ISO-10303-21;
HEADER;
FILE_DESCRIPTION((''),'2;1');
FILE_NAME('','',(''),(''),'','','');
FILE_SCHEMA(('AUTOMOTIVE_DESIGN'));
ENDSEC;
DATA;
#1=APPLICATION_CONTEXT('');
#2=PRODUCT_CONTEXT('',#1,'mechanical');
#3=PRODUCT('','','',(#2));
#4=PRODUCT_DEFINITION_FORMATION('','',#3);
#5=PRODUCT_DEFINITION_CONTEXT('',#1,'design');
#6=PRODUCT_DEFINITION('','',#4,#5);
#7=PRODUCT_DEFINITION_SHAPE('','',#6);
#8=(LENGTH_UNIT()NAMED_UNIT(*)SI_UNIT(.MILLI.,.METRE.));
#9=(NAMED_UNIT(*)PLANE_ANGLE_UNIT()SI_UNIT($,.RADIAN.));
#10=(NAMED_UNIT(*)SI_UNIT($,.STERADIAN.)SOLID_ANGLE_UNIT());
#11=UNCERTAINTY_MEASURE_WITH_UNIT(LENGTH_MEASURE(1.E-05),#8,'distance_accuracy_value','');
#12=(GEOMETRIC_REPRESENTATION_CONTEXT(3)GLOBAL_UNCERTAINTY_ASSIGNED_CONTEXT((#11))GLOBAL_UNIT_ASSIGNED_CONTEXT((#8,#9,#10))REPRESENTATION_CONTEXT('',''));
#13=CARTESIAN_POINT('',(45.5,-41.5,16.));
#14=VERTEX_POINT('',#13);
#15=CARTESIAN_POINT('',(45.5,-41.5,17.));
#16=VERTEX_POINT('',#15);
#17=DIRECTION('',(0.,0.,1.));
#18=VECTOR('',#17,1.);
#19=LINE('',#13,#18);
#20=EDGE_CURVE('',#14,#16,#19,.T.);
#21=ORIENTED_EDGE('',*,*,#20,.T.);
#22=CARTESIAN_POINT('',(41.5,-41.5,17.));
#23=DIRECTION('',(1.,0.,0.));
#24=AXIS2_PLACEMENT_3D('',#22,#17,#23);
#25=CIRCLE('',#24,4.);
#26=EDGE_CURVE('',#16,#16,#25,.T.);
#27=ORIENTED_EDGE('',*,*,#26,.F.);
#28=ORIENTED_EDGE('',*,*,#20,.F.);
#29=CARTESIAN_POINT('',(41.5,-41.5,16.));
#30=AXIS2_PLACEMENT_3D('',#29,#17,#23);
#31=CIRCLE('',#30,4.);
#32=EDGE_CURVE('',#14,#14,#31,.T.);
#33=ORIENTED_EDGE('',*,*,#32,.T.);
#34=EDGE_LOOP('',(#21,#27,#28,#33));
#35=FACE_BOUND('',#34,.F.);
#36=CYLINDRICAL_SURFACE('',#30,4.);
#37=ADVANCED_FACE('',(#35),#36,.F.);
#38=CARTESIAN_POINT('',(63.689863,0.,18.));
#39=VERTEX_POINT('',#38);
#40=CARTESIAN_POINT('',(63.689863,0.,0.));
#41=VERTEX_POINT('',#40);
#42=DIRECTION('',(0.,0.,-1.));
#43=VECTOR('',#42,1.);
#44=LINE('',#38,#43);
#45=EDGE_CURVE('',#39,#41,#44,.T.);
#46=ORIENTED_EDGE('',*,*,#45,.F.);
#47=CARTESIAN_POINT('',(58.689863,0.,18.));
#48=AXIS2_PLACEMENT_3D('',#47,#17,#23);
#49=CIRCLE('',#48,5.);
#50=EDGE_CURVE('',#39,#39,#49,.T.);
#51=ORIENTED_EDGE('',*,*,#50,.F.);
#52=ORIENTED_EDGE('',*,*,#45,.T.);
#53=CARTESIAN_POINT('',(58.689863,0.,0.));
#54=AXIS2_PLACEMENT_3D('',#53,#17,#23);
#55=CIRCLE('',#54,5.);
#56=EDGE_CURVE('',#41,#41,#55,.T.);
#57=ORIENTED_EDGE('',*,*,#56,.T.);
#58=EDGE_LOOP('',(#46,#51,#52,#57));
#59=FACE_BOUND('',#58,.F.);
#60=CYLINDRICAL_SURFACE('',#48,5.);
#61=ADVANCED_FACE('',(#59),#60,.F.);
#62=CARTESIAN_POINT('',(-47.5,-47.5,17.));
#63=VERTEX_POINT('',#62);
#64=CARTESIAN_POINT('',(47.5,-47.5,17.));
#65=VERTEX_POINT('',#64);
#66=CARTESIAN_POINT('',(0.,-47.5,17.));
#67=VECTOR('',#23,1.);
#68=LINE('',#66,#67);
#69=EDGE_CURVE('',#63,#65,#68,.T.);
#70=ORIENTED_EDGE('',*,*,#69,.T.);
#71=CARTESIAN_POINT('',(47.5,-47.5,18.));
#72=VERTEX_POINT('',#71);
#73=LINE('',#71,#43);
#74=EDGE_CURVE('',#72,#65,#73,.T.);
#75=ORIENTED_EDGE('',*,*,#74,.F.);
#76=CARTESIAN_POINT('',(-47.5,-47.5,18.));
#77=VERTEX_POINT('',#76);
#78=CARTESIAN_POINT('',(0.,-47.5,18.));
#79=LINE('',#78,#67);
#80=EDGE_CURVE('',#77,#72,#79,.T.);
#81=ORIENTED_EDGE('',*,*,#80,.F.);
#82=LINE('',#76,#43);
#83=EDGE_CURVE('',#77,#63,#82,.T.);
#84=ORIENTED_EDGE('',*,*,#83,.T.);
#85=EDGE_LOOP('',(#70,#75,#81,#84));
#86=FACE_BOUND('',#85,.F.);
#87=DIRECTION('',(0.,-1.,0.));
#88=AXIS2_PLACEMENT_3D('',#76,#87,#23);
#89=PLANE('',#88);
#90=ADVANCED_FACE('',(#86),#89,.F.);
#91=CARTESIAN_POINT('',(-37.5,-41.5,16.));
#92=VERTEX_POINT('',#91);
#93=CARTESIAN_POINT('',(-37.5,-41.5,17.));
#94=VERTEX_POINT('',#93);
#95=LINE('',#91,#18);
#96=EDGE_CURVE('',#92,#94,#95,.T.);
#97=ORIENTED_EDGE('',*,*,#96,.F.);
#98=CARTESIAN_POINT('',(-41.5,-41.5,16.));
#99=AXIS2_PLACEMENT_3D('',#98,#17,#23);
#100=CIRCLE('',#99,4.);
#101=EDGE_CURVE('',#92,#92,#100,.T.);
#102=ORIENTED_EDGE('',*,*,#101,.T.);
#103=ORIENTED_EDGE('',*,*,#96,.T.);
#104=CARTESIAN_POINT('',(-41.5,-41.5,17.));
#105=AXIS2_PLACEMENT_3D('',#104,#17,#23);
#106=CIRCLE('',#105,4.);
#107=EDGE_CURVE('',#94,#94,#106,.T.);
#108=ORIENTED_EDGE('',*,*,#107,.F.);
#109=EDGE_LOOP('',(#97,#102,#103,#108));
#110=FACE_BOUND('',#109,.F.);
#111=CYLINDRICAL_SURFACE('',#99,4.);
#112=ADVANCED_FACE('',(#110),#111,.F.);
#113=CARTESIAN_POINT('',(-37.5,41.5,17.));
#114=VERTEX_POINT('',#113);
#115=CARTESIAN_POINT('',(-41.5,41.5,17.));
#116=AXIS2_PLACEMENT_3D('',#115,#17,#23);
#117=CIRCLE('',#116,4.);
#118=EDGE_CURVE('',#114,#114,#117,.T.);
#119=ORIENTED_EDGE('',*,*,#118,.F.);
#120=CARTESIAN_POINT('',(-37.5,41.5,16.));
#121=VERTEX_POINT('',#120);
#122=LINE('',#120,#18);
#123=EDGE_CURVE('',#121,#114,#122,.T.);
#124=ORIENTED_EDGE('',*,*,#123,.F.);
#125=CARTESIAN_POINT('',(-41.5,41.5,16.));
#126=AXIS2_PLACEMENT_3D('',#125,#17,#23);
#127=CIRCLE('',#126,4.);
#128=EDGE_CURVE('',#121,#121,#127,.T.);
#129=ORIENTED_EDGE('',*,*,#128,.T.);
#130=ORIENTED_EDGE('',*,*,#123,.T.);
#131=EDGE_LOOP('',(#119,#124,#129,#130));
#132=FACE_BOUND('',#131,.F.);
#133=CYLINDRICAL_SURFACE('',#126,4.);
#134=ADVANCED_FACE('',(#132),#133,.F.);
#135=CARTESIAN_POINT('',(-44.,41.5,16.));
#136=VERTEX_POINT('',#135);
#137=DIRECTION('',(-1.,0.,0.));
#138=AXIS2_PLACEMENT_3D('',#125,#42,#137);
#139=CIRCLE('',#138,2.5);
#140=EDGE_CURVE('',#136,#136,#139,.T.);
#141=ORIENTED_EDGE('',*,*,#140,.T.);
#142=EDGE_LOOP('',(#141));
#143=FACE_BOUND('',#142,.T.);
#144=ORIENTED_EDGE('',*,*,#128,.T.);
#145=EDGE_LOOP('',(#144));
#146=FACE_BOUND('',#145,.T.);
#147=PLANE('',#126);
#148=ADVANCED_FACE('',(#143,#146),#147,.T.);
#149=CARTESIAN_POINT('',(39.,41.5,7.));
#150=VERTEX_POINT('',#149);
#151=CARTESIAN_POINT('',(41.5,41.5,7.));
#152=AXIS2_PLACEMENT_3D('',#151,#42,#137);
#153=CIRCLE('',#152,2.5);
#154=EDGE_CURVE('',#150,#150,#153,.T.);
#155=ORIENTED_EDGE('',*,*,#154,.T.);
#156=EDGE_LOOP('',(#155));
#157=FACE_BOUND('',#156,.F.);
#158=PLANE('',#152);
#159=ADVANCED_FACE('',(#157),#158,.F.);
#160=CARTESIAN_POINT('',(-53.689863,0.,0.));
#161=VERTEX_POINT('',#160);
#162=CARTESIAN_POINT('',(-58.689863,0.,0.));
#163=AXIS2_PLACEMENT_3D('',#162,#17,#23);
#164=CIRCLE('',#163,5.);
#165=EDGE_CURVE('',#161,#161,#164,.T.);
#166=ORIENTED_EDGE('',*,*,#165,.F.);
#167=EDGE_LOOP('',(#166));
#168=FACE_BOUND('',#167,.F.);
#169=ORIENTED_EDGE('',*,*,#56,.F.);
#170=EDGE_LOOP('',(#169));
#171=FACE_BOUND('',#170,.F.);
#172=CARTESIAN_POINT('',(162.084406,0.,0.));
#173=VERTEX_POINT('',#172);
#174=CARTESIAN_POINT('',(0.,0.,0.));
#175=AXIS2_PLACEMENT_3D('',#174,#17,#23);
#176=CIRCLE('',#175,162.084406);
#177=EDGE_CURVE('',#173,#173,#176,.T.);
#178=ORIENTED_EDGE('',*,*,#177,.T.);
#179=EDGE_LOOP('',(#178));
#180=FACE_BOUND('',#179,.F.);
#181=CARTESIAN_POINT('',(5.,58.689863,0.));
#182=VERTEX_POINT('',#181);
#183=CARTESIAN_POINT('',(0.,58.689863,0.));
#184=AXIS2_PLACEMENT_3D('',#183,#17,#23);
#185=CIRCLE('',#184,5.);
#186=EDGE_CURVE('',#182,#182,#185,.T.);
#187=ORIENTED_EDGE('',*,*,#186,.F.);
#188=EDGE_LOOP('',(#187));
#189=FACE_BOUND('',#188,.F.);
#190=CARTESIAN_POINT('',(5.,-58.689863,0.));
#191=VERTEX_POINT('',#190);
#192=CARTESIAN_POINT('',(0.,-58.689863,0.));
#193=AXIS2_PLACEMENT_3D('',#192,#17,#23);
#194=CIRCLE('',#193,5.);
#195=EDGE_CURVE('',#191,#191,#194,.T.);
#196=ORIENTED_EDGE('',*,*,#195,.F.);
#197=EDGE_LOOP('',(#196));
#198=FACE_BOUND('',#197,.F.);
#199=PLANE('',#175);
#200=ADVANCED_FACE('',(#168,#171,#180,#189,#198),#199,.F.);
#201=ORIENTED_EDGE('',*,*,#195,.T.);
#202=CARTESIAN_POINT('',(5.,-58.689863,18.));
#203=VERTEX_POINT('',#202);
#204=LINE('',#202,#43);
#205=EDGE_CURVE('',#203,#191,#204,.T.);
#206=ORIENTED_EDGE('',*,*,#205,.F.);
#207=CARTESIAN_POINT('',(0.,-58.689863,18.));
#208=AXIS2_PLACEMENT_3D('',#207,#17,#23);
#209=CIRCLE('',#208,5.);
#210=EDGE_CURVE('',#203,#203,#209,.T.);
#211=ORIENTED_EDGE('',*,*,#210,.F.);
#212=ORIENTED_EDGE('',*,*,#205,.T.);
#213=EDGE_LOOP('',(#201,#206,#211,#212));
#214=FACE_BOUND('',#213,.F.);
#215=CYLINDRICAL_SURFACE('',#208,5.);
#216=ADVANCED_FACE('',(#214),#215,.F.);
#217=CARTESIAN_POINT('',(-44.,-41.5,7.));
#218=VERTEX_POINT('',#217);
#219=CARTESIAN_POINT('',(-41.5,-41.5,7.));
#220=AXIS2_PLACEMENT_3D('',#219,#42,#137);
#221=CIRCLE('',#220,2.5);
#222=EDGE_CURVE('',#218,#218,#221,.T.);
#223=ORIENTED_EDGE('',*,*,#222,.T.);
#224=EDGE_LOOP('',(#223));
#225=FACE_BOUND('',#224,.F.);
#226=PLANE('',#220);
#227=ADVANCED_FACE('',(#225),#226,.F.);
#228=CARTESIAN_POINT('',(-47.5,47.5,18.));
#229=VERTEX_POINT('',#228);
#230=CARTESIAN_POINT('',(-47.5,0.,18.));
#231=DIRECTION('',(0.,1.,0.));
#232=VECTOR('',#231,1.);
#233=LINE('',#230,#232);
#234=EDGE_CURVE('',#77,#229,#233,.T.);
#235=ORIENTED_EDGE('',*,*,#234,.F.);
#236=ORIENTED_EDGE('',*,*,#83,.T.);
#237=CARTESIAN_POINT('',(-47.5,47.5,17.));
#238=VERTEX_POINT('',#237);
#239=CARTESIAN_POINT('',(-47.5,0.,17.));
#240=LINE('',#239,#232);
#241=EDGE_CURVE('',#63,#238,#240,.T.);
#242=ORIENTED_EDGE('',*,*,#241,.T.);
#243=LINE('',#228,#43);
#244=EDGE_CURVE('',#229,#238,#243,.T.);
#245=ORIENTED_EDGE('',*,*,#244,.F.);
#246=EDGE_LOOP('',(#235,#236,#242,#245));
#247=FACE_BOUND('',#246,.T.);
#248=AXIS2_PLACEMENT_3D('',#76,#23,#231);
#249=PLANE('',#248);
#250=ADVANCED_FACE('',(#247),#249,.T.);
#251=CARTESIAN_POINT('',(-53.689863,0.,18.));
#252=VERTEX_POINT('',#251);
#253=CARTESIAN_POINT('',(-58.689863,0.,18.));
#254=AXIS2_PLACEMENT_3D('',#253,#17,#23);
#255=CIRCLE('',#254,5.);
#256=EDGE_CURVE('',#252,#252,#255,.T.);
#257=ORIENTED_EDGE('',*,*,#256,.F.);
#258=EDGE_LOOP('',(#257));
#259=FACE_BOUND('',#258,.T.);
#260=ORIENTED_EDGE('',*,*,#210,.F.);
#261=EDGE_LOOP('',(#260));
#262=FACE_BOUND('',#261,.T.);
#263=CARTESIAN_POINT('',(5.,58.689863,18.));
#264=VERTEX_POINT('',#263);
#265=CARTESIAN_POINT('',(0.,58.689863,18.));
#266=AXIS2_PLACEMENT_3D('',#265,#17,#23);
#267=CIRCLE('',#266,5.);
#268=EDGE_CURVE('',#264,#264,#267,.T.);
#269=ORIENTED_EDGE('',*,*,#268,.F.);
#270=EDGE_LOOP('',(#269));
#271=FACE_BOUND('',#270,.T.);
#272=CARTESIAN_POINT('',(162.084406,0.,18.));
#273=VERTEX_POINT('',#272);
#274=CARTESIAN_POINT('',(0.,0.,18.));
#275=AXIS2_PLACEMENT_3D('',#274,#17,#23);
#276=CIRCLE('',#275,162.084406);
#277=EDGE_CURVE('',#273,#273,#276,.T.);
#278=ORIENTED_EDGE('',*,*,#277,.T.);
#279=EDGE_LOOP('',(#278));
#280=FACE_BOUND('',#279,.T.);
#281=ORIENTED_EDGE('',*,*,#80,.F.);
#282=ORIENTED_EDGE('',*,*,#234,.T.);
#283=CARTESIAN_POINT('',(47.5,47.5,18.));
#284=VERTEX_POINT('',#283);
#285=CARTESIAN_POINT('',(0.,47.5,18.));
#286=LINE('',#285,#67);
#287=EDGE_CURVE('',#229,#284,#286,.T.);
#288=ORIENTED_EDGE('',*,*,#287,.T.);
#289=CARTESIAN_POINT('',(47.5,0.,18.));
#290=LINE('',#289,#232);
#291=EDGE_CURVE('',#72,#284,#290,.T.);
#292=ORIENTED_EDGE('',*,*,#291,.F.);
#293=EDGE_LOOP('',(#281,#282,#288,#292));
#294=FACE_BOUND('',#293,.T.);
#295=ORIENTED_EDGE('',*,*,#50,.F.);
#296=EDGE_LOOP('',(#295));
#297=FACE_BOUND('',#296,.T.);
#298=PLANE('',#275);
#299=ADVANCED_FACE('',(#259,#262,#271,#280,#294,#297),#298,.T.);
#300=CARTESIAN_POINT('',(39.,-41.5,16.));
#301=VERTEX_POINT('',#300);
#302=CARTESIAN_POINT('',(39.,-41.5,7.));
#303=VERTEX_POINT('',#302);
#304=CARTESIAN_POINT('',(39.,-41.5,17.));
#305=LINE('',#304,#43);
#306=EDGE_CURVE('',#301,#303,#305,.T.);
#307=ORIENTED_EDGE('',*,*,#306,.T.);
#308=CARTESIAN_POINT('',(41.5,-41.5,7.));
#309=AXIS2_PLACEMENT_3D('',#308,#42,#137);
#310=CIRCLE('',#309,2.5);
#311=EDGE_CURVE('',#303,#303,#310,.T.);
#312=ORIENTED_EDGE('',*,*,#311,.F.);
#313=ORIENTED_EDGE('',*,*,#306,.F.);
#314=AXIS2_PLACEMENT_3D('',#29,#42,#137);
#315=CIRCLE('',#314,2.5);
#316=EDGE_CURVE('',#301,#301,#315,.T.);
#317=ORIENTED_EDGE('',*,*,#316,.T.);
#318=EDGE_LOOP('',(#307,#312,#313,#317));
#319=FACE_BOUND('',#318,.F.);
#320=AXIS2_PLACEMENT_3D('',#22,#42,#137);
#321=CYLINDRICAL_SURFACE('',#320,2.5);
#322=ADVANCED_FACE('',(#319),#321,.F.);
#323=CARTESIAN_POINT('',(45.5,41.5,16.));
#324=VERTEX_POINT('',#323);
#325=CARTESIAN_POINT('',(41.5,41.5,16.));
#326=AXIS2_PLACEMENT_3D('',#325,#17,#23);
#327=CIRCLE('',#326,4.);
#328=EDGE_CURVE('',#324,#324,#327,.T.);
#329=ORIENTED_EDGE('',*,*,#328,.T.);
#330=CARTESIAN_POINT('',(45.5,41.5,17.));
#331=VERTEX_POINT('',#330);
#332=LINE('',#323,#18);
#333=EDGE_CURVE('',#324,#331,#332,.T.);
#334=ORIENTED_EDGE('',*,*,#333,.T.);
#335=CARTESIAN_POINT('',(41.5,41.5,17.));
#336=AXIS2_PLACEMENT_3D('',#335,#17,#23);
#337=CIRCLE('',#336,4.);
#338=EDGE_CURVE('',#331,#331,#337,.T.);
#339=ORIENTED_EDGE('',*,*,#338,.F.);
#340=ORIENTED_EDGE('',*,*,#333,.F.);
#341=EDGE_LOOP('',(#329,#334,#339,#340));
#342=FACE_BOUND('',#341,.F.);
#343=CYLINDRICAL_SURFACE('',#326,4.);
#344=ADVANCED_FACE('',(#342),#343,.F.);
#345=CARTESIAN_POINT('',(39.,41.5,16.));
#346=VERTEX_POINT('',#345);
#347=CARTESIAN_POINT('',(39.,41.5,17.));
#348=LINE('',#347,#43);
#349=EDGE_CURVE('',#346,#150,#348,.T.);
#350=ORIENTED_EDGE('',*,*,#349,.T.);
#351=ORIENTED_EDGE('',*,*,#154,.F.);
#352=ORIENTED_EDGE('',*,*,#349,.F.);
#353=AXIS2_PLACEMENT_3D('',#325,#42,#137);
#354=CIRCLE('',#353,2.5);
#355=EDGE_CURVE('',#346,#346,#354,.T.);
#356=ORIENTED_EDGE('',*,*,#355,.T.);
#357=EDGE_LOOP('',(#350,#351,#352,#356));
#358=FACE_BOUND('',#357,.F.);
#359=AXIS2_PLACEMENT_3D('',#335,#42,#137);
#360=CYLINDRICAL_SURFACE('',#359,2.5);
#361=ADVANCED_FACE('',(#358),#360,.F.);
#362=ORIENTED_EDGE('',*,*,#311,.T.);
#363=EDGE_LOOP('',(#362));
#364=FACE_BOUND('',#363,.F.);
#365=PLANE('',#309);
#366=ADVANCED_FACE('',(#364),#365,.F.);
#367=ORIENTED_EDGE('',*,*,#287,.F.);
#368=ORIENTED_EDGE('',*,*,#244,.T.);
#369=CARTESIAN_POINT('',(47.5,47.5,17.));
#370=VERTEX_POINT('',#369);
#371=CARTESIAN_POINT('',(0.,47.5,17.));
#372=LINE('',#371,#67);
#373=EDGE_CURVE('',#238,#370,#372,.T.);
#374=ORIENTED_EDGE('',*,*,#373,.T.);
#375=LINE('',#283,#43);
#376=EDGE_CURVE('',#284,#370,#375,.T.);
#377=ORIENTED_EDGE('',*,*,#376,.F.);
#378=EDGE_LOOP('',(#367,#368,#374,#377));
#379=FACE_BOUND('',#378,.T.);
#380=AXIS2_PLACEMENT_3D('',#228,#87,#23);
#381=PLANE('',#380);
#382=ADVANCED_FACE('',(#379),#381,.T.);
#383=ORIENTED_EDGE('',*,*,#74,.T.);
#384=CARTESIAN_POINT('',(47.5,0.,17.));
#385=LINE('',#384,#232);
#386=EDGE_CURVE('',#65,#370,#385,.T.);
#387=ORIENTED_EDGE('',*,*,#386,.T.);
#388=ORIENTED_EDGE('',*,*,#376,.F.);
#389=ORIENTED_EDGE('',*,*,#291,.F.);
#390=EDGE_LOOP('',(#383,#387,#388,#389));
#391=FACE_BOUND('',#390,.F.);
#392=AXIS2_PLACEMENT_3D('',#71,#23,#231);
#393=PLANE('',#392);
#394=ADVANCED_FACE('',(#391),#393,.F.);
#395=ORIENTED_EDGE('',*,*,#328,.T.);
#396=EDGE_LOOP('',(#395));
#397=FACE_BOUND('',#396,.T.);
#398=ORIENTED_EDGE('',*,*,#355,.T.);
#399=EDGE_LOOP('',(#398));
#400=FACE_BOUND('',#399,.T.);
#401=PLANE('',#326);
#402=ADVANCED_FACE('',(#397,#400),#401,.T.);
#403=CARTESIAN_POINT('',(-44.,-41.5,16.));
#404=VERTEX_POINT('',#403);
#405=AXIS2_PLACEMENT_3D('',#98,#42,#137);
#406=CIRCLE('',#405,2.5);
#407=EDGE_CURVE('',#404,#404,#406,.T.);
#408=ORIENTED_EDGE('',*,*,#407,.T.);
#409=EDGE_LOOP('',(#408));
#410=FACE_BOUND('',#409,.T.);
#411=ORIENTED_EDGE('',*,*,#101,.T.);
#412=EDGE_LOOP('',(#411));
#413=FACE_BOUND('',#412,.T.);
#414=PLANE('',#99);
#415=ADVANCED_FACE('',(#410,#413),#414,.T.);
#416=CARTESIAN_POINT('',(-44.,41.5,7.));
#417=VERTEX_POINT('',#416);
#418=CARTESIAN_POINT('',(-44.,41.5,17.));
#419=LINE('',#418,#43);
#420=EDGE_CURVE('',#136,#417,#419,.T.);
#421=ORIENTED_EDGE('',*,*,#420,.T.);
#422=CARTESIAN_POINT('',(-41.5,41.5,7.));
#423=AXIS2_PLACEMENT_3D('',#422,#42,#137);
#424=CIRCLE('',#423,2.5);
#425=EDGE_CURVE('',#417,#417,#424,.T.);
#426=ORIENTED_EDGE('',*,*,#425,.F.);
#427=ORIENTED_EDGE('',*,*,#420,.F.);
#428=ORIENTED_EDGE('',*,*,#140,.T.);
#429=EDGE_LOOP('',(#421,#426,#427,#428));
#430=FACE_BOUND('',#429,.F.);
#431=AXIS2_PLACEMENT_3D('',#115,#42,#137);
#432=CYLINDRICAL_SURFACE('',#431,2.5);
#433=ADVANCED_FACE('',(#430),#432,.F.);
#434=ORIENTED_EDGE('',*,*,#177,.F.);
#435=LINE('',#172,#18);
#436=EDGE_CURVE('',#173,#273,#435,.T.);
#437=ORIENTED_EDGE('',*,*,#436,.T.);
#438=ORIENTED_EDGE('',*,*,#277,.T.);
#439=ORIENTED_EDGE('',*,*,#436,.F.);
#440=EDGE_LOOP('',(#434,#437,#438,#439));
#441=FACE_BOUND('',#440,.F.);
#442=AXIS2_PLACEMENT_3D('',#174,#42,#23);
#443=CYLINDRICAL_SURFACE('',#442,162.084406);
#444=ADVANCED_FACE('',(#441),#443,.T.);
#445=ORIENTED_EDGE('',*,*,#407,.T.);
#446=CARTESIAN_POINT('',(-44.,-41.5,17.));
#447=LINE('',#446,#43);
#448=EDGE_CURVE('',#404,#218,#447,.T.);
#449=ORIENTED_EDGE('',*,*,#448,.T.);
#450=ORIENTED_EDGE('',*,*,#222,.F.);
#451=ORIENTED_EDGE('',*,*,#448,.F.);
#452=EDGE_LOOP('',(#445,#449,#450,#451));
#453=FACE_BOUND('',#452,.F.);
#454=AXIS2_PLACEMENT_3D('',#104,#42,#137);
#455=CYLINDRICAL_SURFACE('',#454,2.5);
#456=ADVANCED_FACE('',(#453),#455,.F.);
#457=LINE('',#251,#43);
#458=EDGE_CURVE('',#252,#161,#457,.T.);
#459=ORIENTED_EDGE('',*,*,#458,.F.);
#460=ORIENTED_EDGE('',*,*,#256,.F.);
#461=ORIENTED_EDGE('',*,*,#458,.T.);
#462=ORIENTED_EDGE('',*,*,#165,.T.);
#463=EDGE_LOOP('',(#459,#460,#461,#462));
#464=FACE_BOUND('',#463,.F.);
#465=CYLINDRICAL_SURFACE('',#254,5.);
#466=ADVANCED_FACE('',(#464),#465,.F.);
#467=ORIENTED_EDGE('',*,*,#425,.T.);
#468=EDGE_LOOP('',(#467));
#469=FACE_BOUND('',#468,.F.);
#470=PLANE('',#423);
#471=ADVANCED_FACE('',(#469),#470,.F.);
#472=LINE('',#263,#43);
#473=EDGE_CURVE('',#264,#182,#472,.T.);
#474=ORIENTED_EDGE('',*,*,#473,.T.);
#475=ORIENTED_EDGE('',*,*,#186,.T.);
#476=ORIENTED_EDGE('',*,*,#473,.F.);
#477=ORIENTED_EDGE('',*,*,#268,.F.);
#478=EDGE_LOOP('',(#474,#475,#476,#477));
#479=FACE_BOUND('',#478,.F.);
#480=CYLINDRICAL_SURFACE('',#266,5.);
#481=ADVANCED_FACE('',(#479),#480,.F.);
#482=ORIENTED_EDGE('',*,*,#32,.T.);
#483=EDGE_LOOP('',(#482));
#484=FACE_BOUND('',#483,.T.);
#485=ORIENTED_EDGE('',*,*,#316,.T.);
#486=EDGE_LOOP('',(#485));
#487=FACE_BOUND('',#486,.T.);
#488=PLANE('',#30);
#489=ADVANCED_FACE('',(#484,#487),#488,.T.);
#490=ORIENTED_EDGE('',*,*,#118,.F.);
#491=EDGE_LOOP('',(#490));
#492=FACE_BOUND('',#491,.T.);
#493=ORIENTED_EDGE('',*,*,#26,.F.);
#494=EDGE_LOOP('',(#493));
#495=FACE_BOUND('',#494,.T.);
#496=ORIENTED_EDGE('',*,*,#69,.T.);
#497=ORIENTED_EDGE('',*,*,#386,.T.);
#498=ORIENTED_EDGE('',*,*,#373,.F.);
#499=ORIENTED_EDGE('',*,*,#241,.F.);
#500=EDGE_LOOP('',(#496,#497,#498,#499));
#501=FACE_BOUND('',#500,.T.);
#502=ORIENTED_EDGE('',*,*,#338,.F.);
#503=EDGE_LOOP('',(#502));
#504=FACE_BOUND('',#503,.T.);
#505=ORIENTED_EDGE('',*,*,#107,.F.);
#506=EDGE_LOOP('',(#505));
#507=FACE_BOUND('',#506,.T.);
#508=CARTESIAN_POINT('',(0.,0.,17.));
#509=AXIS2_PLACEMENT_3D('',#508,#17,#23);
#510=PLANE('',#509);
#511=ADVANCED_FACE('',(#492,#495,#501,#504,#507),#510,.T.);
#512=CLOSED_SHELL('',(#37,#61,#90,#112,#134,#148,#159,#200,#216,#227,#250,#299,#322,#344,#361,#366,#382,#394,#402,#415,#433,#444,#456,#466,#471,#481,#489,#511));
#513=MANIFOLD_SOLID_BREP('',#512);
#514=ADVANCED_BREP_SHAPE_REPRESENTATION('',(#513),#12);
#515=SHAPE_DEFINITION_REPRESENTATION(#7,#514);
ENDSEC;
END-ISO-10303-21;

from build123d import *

# Parameters (mm, degrees)
SKETCH003_R      = 162.0844056183
PAD002_DEPTH     = 18
SKETCH009_W      = 95
SKETCH009_H      = 95
POCKET002_DEPTH  = 1
HOLE_D           = 5
HOLE_DEPTH       = 10
HOLE_CBORE_D     = 8
HOLE_CBORE_DEPTH = 1
SKETCH011_R      = 5
POCKET003_DEPTH  = 18.001


with BuildPart() as part:
    # Sketch003 → Pad002 (new body)
    with BuildSketch(Plane.XY):
        Circle(SKETCH003_R)
    extrude(amount=PAD002_DEPTH)

    # Sketch009 (on Face3 of Pad002) → Pocket002 (cut)
    with BuildSketch(Plane.XY.offset(18)):
        Rectangle(SKETCH009_W, SKETCH009_H)
    extrude(amount=-POCKET002_DEPTH, mode=Mode.SUBTRACT)

    # Hole
    with Locations(Plane.XY.offset(17)):
        with Locations((-41.5, 41.5), (41.5, 41.5), (-41.5, -41.5), (41.5, -41.5)):
            CounterBoreHole(HOLE_D / 2, HOLE_CBORE_D / 2, HOLE_CBORE_DEPTH, depth=HOLE_DEPTH)

    # Sketch011 (on Face3 of Hole) → Pocket003 (cut, through all)
    with BuildSketch(Plane.XY.offset(18)):
        with Locations((-58.6898628385, 0)):
            Circle(SKETCH011_R)
        with Locations((0, 58.6898628385)):
            Circle(SKETCH011_R)
        with Locations((58.6898628385, 0)):
            Circle(SKETCH011_R)
        with Locations((0, -58.6898628385)):
            Circle(SKETCH011_R)
    extrude(amount=-POCKET003_DEPTH, mode=Mode.SUBTRACT)


solid = part.part
